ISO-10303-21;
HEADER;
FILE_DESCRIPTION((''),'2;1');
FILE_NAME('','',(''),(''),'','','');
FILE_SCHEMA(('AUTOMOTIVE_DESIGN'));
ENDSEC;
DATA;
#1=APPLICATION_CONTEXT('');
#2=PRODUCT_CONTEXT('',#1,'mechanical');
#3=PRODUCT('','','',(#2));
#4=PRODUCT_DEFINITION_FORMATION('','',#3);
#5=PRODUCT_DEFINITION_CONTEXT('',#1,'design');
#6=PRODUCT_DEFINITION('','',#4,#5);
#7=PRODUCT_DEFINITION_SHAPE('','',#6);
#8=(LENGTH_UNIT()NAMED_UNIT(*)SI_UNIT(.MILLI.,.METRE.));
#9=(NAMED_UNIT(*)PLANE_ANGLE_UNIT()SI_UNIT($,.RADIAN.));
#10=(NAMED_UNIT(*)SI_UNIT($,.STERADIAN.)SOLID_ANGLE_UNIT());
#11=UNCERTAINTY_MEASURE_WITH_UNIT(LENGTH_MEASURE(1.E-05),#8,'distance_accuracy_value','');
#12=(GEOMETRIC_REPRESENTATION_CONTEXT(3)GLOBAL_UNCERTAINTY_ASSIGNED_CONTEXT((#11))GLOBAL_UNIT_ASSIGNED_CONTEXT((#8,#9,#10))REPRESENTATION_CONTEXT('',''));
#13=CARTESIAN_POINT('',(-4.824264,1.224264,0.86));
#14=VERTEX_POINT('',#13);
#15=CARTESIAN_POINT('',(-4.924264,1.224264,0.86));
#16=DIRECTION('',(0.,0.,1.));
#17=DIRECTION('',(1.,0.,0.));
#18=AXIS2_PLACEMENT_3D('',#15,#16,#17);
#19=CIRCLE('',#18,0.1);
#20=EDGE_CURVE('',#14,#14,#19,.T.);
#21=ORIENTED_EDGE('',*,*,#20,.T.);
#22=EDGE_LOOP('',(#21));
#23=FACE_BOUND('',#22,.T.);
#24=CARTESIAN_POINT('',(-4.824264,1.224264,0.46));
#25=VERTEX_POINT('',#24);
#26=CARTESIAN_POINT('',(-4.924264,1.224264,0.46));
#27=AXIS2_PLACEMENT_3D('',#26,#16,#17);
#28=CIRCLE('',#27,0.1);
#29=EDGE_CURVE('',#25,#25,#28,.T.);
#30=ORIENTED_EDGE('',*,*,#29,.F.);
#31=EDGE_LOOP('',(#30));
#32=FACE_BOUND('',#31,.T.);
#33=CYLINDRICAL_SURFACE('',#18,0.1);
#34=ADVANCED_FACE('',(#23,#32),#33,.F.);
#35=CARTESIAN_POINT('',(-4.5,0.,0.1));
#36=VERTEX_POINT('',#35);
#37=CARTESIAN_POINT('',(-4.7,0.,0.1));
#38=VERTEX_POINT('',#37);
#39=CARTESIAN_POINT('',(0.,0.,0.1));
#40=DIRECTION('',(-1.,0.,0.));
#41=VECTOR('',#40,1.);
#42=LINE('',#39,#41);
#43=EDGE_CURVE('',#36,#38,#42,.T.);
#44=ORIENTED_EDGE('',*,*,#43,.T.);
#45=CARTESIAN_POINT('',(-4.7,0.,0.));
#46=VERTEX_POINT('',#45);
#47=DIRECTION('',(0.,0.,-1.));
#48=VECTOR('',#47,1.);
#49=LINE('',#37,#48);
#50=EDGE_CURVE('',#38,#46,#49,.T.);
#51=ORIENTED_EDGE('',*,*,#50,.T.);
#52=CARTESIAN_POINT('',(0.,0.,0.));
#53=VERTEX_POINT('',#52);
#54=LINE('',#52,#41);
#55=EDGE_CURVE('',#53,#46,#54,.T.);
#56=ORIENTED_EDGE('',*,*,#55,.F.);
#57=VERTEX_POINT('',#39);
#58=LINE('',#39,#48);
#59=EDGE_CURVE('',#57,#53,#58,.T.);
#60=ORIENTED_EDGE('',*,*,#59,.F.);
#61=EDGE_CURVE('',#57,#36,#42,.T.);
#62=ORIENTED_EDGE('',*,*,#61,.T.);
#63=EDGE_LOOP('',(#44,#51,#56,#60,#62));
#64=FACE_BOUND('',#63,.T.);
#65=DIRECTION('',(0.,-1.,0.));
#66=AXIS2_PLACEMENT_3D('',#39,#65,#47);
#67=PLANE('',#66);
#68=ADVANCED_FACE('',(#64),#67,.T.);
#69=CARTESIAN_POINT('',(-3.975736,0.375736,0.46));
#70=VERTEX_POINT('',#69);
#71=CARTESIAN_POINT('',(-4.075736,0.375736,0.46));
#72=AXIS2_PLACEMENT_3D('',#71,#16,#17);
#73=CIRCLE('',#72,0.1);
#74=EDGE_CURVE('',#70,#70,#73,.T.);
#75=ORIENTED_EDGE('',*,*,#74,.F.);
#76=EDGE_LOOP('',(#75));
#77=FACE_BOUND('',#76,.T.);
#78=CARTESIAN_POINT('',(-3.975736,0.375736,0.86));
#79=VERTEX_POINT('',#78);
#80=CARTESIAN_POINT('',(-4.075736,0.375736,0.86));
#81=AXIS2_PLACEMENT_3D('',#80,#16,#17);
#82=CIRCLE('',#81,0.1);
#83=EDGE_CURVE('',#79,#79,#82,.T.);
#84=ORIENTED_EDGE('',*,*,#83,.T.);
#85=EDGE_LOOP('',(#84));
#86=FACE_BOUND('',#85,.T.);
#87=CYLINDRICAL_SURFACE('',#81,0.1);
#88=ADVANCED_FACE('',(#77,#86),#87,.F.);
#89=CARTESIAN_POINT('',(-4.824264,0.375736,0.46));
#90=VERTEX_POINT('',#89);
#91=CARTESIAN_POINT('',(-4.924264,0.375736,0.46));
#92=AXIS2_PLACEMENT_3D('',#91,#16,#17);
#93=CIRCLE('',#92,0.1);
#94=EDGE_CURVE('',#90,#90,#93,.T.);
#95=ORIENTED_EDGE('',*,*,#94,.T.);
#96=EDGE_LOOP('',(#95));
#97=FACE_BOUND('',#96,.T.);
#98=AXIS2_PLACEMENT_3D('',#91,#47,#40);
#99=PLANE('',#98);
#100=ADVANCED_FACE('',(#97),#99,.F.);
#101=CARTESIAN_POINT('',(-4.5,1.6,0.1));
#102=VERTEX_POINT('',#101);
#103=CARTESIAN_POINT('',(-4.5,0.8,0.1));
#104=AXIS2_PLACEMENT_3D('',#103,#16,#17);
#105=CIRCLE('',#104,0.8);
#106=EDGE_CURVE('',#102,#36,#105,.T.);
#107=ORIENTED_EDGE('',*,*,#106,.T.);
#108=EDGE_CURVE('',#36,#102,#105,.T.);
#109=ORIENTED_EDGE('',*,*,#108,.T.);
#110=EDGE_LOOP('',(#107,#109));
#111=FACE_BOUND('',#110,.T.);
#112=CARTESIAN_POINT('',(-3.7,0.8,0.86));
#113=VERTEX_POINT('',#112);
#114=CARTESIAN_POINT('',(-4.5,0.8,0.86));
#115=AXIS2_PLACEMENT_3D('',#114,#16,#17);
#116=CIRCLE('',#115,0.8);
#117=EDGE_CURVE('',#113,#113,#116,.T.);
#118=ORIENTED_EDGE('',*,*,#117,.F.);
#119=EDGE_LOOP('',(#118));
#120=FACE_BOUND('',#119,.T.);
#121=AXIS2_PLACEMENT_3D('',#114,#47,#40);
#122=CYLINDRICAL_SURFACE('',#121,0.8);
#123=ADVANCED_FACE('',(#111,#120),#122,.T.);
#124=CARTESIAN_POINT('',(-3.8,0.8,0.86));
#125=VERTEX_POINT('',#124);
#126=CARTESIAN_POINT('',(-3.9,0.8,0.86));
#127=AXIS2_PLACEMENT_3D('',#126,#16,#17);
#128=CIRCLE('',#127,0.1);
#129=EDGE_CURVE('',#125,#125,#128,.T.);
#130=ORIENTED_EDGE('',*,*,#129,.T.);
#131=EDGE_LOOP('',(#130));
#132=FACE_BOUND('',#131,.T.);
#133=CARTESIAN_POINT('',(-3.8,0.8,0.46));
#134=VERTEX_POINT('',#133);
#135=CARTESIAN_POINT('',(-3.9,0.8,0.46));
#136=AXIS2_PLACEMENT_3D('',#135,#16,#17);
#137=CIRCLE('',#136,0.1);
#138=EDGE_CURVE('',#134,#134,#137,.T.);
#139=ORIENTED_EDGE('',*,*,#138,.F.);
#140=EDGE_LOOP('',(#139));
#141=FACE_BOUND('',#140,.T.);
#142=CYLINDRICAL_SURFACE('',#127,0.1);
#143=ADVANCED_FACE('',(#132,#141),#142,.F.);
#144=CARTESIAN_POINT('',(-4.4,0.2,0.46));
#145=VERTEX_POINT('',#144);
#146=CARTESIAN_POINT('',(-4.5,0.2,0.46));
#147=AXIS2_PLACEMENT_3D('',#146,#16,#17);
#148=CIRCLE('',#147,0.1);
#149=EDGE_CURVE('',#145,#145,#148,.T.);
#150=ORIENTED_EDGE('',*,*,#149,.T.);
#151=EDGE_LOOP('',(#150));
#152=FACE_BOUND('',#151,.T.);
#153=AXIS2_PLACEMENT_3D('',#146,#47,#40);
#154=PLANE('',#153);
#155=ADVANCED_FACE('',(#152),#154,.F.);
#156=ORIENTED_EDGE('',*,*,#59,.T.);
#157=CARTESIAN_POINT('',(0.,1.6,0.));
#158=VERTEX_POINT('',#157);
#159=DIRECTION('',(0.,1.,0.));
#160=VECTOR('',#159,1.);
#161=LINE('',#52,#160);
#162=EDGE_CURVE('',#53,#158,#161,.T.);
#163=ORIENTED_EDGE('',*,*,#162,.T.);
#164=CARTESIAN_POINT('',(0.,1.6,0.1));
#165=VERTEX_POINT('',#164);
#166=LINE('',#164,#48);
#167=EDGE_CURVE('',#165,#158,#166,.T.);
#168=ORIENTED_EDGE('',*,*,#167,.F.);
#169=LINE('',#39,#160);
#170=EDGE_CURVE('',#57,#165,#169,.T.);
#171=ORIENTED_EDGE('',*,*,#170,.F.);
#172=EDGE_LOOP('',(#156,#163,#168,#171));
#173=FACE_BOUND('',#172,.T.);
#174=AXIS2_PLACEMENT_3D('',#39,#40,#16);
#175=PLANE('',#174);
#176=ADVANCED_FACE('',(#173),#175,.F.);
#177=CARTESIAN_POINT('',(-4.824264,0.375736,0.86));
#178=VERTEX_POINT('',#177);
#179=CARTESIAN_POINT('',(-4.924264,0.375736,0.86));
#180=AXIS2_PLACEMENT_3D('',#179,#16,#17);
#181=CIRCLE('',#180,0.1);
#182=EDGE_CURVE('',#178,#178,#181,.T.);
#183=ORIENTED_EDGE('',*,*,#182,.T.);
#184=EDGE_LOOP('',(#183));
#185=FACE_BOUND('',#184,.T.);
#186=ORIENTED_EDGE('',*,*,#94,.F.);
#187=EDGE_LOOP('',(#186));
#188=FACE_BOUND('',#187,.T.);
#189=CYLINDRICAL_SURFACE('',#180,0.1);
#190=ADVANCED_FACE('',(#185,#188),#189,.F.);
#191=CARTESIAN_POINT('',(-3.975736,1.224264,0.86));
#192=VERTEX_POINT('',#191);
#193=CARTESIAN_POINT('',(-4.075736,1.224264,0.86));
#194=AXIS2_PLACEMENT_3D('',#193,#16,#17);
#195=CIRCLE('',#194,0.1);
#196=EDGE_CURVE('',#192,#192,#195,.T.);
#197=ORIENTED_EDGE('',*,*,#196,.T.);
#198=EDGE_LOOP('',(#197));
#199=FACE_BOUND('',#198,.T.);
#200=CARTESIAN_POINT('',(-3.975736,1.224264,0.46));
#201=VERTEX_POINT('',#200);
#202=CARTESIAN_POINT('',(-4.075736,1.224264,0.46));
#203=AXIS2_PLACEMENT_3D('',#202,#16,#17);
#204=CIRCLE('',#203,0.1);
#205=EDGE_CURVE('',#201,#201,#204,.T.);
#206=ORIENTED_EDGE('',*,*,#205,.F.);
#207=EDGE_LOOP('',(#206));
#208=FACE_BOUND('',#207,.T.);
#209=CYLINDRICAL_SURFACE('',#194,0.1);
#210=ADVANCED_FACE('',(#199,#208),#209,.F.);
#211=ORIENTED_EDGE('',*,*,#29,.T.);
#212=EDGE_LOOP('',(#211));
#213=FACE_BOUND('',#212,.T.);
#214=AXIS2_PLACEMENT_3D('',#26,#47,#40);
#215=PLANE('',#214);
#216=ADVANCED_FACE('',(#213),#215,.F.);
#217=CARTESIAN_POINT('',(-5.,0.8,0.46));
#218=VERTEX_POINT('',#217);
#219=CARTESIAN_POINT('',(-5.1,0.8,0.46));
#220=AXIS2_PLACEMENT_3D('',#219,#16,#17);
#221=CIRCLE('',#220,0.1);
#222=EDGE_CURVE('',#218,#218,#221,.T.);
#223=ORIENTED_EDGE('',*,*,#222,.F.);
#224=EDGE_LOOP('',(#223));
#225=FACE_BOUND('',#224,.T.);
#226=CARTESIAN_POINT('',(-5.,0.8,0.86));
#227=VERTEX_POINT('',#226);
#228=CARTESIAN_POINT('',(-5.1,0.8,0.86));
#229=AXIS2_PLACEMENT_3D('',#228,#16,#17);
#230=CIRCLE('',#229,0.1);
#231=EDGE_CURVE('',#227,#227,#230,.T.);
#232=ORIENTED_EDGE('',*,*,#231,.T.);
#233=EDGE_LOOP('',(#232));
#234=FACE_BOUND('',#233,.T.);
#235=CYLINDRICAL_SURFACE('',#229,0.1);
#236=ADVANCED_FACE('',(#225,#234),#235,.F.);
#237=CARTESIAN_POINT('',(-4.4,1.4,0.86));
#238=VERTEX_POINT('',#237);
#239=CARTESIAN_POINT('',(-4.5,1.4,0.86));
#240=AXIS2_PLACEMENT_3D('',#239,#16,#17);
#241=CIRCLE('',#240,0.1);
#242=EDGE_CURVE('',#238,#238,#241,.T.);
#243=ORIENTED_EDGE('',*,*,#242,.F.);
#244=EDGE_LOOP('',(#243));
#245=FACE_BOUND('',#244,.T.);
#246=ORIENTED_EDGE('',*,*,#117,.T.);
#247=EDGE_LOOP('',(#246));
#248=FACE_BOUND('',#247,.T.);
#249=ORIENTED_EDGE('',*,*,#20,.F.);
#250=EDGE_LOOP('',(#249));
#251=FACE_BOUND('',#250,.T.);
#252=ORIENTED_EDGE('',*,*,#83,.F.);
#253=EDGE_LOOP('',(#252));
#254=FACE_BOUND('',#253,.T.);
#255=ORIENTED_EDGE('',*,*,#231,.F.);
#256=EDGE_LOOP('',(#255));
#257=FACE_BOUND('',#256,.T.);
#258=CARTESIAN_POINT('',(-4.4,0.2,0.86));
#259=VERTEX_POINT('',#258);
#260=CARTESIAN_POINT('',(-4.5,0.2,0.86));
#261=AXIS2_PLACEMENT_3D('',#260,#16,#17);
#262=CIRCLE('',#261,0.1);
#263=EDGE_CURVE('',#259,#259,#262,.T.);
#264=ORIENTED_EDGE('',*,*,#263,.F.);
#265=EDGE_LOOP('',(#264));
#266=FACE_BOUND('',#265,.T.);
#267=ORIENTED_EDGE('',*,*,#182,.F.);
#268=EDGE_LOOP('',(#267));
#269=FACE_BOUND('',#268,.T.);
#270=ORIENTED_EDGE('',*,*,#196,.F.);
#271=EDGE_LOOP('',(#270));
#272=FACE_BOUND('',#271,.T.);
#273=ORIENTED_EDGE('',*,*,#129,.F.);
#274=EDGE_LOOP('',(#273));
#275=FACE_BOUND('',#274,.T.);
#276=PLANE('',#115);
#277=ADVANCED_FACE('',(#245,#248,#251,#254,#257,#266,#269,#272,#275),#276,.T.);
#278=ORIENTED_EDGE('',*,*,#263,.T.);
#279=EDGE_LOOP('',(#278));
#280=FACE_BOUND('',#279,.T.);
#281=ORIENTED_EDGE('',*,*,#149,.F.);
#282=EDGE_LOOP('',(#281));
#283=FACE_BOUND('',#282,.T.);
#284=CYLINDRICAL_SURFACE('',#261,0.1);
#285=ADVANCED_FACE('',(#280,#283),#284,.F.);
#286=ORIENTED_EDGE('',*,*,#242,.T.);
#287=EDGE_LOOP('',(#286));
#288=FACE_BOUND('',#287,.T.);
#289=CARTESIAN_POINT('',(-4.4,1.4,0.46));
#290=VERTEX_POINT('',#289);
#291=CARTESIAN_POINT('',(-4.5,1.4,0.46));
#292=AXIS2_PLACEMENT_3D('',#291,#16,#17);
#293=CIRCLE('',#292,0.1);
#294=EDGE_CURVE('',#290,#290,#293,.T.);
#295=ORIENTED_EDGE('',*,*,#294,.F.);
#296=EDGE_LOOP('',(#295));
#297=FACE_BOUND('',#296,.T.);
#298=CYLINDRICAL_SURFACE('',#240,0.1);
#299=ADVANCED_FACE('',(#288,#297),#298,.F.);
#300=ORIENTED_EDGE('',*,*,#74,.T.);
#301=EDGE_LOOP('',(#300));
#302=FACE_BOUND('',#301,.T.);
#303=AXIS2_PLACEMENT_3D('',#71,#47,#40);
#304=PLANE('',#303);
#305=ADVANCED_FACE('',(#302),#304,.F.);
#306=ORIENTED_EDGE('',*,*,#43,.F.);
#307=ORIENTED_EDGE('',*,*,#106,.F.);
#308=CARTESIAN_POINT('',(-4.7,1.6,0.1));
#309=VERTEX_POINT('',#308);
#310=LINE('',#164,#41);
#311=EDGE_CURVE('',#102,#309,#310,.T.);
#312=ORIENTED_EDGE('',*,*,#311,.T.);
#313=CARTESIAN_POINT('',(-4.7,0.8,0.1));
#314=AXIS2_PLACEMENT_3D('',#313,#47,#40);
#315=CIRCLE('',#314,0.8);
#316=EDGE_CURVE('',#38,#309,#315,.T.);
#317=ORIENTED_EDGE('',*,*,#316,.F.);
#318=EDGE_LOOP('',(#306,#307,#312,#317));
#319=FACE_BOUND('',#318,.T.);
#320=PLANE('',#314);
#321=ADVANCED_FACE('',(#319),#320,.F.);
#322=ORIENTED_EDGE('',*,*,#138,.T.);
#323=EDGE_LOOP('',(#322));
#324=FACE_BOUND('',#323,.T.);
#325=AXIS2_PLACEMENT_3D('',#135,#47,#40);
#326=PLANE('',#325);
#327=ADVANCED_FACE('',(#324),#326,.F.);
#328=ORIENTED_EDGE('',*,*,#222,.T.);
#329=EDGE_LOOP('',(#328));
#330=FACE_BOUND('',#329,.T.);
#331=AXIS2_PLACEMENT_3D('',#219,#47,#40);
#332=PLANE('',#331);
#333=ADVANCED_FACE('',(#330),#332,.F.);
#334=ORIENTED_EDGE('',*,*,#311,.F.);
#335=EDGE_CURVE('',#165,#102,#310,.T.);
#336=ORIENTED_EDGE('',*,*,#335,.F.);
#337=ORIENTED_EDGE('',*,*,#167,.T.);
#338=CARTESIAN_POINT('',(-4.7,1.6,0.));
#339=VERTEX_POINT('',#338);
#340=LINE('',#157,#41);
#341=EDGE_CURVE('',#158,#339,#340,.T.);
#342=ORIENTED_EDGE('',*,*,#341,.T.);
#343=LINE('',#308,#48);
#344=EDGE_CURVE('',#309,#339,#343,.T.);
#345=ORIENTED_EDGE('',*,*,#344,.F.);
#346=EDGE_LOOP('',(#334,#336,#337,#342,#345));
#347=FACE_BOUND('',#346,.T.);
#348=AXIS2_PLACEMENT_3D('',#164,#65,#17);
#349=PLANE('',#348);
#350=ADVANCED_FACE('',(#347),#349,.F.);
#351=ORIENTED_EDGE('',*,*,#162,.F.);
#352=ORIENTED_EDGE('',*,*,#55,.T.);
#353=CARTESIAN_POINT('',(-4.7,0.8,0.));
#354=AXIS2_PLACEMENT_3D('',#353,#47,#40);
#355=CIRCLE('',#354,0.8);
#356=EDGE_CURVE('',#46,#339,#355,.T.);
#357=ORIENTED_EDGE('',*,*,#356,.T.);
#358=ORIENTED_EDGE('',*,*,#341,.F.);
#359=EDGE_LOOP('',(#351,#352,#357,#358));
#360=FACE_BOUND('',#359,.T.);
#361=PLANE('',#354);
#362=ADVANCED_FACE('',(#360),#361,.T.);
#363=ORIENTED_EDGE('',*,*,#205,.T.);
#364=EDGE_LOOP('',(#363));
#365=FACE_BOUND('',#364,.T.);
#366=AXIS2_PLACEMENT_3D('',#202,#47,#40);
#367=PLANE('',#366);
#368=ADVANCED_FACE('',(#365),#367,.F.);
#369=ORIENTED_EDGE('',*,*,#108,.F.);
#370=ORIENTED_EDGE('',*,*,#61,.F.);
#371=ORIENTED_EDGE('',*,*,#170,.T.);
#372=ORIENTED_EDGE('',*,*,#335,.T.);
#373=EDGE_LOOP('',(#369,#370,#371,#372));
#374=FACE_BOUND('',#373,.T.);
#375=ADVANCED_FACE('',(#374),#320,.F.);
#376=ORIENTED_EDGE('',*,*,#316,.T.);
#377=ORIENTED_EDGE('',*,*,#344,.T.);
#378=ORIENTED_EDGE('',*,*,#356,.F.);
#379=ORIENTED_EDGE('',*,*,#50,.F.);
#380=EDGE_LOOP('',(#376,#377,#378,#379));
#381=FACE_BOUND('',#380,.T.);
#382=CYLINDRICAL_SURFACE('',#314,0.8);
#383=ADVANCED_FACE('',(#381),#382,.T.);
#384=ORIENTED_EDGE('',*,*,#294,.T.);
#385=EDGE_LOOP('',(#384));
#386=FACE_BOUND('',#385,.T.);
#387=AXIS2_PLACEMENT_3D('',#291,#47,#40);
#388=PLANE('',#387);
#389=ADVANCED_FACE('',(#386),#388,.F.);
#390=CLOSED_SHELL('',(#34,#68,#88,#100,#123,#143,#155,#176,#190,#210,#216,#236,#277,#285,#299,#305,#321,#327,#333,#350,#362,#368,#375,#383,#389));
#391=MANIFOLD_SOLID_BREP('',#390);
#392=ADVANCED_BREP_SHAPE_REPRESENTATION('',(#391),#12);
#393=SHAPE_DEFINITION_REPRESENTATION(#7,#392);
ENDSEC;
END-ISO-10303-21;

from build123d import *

# Parameters (mm, degrees)
AUFSATZ_LINEAR_AUSTRAGEN1_DEPTH = 0.1
SKIZZE2_R                       = 0.8
AUFSATZ_LINEAR_AUSTRAGEN2_DEPTH = 0.76
DURCHGANGSLOCH_F_R_M1_41_D      = 0.2
DURCHGANGSLOCH_F_R_M1_41_DEPTH  = 0.4
KREISMUSTER5_COUNT              = 8


with BuildPart() as part:
    # Skizze1 → Aufsatz-Linear austragen1 (new body)
    with BuildSketch(Plane.XY):
        with BuildLine():
            Line((0, 0), (-4.7, 0))
            ThreePointArc((-4.7, 0), (-5.5, 0.8), (-4.7, 1.6))
            Line((-4.7, 1.6), (0, 1.6))
            Line((0, 1.6), (0, 0))
        make_face()
    extrude(amount=AUFSATZ_LINEAR_AUSTRAGEN1_DEPTH)

    # Skizze2 → Aufsatz-Linear austragen2 (add)
    with BuildSketch(Plane.XY.offset(0.1)):
        with Locations(Location((-4.5, 0.8, 0), (0, 0, 270))):  # turned: the seam where the file's is
            Circle(SKIZZE2_R)
    extrude(amount=AUFSATZ_LINEAR_AUSTRAGEN2_DEPTH)

    # Durchgangsloch für M1.41
    with Locations(Plane(origin=(-4.5, 1.4, 0.86), x_dir=(1, 0, 0), z_dir=(0, 0, 1))):
        with Locations((0, 0)):
            durchgangsloch_f_r_m1_41 = Hole(DURCHGANGSLOCH_F_R_M1_41_D / 2, depth=DURCHGANGSLOCH_F_R_M1_41_DEPTH)

    # Kreismuster5: Durchgangsloch für M1.41 ×8 about axis
    kreismuster5_axis = Axis((-4.5, 0.8, 0), (0, 0, 1))
    for i in range(1, KREISMUSTER5_COUNT):
        add(durchgangsloch_f_r_m1_41.rotate(kreismuster5_axis, i * 360 / KREISMUSTER5_COUNT), mode=Mode.SUBTRACT)


solid = part.part
